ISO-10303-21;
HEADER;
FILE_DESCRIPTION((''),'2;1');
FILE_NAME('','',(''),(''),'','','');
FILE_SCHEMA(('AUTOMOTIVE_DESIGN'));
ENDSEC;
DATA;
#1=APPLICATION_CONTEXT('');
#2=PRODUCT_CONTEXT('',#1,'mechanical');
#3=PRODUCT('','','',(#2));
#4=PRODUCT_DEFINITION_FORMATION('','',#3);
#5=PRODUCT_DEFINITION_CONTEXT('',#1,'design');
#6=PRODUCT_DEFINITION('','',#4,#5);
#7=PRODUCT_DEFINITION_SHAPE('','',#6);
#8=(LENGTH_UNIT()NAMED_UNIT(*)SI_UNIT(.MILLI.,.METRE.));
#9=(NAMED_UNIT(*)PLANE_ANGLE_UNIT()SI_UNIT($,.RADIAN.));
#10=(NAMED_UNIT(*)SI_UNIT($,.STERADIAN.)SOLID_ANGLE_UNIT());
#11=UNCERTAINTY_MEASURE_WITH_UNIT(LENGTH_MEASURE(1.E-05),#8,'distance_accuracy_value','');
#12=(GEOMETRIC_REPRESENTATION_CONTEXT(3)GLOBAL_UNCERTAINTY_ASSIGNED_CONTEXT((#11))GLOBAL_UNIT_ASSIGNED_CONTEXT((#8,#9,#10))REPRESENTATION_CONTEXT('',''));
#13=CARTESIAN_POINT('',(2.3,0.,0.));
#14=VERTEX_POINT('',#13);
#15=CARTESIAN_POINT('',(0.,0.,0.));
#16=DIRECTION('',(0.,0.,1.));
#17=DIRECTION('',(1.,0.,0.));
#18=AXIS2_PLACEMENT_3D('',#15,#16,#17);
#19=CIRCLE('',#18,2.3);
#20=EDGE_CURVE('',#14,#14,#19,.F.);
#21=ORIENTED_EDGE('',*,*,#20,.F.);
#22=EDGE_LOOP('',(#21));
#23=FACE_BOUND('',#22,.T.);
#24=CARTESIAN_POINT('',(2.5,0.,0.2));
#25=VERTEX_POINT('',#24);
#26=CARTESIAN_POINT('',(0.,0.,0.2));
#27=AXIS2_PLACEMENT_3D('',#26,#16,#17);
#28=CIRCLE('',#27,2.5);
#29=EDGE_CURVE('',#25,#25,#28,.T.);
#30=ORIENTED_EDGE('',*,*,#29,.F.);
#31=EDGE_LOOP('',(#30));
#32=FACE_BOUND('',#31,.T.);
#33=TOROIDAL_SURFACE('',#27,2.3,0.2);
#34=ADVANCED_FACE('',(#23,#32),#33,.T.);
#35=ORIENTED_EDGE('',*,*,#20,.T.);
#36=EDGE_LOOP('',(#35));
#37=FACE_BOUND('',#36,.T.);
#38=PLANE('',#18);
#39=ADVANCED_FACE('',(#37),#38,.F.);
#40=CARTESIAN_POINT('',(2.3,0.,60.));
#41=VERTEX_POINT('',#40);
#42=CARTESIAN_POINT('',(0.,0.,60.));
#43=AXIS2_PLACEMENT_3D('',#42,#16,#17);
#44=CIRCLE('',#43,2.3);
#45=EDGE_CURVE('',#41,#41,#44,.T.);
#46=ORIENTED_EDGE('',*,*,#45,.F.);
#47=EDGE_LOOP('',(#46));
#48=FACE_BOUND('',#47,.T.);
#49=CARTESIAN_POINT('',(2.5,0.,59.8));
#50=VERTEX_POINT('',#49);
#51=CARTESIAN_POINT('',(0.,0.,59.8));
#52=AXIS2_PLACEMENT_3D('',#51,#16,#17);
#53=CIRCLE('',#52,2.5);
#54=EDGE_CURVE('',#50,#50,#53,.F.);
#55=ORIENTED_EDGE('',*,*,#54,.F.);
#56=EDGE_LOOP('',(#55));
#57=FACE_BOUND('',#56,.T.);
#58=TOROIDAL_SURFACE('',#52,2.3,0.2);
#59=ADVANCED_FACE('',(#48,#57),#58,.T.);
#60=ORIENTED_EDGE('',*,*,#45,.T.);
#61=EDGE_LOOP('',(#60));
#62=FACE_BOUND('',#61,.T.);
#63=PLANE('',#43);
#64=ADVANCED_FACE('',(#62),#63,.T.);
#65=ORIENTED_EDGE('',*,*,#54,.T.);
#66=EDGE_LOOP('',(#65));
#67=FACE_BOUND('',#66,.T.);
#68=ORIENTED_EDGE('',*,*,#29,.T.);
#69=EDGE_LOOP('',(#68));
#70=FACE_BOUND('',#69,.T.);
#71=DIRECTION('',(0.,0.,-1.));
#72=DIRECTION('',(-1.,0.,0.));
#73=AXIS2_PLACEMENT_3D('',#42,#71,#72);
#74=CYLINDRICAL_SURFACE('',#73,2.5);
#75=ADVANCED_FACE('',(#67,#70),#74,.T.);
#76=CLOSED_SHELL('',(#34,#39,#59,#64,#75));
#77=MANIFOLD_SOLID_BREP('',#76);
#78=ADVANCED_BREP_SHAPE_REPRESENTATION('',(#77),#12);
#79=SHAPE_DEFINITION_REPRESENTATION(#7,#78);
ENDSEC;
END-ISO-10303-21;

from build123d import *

# Parameters (mm, degrees)
SKETCH1_R           = 2.5
BOSS_EXTRUDE1_DEPTH = 60
FILLET1_R           = 0.2


with BuildPart() as part:
    # Sketch1 → Boss-Extrude1 (new body)
    with BuildSketch(Plane.XY):
        Circle(SKETCH1_R)
    extrude(amount=BOSS_EXTRUDE1_DEPTH)

    # Fillet1
    fillet1_edges = [part.edges().sort_by_distance(p)[0] for p in [
        (-2.5, 0, 0),
        (-2.5, 0, 60),
    ]]
    fillet(fillet1_edges, radius=FILLET1_R)


solid = part.part
